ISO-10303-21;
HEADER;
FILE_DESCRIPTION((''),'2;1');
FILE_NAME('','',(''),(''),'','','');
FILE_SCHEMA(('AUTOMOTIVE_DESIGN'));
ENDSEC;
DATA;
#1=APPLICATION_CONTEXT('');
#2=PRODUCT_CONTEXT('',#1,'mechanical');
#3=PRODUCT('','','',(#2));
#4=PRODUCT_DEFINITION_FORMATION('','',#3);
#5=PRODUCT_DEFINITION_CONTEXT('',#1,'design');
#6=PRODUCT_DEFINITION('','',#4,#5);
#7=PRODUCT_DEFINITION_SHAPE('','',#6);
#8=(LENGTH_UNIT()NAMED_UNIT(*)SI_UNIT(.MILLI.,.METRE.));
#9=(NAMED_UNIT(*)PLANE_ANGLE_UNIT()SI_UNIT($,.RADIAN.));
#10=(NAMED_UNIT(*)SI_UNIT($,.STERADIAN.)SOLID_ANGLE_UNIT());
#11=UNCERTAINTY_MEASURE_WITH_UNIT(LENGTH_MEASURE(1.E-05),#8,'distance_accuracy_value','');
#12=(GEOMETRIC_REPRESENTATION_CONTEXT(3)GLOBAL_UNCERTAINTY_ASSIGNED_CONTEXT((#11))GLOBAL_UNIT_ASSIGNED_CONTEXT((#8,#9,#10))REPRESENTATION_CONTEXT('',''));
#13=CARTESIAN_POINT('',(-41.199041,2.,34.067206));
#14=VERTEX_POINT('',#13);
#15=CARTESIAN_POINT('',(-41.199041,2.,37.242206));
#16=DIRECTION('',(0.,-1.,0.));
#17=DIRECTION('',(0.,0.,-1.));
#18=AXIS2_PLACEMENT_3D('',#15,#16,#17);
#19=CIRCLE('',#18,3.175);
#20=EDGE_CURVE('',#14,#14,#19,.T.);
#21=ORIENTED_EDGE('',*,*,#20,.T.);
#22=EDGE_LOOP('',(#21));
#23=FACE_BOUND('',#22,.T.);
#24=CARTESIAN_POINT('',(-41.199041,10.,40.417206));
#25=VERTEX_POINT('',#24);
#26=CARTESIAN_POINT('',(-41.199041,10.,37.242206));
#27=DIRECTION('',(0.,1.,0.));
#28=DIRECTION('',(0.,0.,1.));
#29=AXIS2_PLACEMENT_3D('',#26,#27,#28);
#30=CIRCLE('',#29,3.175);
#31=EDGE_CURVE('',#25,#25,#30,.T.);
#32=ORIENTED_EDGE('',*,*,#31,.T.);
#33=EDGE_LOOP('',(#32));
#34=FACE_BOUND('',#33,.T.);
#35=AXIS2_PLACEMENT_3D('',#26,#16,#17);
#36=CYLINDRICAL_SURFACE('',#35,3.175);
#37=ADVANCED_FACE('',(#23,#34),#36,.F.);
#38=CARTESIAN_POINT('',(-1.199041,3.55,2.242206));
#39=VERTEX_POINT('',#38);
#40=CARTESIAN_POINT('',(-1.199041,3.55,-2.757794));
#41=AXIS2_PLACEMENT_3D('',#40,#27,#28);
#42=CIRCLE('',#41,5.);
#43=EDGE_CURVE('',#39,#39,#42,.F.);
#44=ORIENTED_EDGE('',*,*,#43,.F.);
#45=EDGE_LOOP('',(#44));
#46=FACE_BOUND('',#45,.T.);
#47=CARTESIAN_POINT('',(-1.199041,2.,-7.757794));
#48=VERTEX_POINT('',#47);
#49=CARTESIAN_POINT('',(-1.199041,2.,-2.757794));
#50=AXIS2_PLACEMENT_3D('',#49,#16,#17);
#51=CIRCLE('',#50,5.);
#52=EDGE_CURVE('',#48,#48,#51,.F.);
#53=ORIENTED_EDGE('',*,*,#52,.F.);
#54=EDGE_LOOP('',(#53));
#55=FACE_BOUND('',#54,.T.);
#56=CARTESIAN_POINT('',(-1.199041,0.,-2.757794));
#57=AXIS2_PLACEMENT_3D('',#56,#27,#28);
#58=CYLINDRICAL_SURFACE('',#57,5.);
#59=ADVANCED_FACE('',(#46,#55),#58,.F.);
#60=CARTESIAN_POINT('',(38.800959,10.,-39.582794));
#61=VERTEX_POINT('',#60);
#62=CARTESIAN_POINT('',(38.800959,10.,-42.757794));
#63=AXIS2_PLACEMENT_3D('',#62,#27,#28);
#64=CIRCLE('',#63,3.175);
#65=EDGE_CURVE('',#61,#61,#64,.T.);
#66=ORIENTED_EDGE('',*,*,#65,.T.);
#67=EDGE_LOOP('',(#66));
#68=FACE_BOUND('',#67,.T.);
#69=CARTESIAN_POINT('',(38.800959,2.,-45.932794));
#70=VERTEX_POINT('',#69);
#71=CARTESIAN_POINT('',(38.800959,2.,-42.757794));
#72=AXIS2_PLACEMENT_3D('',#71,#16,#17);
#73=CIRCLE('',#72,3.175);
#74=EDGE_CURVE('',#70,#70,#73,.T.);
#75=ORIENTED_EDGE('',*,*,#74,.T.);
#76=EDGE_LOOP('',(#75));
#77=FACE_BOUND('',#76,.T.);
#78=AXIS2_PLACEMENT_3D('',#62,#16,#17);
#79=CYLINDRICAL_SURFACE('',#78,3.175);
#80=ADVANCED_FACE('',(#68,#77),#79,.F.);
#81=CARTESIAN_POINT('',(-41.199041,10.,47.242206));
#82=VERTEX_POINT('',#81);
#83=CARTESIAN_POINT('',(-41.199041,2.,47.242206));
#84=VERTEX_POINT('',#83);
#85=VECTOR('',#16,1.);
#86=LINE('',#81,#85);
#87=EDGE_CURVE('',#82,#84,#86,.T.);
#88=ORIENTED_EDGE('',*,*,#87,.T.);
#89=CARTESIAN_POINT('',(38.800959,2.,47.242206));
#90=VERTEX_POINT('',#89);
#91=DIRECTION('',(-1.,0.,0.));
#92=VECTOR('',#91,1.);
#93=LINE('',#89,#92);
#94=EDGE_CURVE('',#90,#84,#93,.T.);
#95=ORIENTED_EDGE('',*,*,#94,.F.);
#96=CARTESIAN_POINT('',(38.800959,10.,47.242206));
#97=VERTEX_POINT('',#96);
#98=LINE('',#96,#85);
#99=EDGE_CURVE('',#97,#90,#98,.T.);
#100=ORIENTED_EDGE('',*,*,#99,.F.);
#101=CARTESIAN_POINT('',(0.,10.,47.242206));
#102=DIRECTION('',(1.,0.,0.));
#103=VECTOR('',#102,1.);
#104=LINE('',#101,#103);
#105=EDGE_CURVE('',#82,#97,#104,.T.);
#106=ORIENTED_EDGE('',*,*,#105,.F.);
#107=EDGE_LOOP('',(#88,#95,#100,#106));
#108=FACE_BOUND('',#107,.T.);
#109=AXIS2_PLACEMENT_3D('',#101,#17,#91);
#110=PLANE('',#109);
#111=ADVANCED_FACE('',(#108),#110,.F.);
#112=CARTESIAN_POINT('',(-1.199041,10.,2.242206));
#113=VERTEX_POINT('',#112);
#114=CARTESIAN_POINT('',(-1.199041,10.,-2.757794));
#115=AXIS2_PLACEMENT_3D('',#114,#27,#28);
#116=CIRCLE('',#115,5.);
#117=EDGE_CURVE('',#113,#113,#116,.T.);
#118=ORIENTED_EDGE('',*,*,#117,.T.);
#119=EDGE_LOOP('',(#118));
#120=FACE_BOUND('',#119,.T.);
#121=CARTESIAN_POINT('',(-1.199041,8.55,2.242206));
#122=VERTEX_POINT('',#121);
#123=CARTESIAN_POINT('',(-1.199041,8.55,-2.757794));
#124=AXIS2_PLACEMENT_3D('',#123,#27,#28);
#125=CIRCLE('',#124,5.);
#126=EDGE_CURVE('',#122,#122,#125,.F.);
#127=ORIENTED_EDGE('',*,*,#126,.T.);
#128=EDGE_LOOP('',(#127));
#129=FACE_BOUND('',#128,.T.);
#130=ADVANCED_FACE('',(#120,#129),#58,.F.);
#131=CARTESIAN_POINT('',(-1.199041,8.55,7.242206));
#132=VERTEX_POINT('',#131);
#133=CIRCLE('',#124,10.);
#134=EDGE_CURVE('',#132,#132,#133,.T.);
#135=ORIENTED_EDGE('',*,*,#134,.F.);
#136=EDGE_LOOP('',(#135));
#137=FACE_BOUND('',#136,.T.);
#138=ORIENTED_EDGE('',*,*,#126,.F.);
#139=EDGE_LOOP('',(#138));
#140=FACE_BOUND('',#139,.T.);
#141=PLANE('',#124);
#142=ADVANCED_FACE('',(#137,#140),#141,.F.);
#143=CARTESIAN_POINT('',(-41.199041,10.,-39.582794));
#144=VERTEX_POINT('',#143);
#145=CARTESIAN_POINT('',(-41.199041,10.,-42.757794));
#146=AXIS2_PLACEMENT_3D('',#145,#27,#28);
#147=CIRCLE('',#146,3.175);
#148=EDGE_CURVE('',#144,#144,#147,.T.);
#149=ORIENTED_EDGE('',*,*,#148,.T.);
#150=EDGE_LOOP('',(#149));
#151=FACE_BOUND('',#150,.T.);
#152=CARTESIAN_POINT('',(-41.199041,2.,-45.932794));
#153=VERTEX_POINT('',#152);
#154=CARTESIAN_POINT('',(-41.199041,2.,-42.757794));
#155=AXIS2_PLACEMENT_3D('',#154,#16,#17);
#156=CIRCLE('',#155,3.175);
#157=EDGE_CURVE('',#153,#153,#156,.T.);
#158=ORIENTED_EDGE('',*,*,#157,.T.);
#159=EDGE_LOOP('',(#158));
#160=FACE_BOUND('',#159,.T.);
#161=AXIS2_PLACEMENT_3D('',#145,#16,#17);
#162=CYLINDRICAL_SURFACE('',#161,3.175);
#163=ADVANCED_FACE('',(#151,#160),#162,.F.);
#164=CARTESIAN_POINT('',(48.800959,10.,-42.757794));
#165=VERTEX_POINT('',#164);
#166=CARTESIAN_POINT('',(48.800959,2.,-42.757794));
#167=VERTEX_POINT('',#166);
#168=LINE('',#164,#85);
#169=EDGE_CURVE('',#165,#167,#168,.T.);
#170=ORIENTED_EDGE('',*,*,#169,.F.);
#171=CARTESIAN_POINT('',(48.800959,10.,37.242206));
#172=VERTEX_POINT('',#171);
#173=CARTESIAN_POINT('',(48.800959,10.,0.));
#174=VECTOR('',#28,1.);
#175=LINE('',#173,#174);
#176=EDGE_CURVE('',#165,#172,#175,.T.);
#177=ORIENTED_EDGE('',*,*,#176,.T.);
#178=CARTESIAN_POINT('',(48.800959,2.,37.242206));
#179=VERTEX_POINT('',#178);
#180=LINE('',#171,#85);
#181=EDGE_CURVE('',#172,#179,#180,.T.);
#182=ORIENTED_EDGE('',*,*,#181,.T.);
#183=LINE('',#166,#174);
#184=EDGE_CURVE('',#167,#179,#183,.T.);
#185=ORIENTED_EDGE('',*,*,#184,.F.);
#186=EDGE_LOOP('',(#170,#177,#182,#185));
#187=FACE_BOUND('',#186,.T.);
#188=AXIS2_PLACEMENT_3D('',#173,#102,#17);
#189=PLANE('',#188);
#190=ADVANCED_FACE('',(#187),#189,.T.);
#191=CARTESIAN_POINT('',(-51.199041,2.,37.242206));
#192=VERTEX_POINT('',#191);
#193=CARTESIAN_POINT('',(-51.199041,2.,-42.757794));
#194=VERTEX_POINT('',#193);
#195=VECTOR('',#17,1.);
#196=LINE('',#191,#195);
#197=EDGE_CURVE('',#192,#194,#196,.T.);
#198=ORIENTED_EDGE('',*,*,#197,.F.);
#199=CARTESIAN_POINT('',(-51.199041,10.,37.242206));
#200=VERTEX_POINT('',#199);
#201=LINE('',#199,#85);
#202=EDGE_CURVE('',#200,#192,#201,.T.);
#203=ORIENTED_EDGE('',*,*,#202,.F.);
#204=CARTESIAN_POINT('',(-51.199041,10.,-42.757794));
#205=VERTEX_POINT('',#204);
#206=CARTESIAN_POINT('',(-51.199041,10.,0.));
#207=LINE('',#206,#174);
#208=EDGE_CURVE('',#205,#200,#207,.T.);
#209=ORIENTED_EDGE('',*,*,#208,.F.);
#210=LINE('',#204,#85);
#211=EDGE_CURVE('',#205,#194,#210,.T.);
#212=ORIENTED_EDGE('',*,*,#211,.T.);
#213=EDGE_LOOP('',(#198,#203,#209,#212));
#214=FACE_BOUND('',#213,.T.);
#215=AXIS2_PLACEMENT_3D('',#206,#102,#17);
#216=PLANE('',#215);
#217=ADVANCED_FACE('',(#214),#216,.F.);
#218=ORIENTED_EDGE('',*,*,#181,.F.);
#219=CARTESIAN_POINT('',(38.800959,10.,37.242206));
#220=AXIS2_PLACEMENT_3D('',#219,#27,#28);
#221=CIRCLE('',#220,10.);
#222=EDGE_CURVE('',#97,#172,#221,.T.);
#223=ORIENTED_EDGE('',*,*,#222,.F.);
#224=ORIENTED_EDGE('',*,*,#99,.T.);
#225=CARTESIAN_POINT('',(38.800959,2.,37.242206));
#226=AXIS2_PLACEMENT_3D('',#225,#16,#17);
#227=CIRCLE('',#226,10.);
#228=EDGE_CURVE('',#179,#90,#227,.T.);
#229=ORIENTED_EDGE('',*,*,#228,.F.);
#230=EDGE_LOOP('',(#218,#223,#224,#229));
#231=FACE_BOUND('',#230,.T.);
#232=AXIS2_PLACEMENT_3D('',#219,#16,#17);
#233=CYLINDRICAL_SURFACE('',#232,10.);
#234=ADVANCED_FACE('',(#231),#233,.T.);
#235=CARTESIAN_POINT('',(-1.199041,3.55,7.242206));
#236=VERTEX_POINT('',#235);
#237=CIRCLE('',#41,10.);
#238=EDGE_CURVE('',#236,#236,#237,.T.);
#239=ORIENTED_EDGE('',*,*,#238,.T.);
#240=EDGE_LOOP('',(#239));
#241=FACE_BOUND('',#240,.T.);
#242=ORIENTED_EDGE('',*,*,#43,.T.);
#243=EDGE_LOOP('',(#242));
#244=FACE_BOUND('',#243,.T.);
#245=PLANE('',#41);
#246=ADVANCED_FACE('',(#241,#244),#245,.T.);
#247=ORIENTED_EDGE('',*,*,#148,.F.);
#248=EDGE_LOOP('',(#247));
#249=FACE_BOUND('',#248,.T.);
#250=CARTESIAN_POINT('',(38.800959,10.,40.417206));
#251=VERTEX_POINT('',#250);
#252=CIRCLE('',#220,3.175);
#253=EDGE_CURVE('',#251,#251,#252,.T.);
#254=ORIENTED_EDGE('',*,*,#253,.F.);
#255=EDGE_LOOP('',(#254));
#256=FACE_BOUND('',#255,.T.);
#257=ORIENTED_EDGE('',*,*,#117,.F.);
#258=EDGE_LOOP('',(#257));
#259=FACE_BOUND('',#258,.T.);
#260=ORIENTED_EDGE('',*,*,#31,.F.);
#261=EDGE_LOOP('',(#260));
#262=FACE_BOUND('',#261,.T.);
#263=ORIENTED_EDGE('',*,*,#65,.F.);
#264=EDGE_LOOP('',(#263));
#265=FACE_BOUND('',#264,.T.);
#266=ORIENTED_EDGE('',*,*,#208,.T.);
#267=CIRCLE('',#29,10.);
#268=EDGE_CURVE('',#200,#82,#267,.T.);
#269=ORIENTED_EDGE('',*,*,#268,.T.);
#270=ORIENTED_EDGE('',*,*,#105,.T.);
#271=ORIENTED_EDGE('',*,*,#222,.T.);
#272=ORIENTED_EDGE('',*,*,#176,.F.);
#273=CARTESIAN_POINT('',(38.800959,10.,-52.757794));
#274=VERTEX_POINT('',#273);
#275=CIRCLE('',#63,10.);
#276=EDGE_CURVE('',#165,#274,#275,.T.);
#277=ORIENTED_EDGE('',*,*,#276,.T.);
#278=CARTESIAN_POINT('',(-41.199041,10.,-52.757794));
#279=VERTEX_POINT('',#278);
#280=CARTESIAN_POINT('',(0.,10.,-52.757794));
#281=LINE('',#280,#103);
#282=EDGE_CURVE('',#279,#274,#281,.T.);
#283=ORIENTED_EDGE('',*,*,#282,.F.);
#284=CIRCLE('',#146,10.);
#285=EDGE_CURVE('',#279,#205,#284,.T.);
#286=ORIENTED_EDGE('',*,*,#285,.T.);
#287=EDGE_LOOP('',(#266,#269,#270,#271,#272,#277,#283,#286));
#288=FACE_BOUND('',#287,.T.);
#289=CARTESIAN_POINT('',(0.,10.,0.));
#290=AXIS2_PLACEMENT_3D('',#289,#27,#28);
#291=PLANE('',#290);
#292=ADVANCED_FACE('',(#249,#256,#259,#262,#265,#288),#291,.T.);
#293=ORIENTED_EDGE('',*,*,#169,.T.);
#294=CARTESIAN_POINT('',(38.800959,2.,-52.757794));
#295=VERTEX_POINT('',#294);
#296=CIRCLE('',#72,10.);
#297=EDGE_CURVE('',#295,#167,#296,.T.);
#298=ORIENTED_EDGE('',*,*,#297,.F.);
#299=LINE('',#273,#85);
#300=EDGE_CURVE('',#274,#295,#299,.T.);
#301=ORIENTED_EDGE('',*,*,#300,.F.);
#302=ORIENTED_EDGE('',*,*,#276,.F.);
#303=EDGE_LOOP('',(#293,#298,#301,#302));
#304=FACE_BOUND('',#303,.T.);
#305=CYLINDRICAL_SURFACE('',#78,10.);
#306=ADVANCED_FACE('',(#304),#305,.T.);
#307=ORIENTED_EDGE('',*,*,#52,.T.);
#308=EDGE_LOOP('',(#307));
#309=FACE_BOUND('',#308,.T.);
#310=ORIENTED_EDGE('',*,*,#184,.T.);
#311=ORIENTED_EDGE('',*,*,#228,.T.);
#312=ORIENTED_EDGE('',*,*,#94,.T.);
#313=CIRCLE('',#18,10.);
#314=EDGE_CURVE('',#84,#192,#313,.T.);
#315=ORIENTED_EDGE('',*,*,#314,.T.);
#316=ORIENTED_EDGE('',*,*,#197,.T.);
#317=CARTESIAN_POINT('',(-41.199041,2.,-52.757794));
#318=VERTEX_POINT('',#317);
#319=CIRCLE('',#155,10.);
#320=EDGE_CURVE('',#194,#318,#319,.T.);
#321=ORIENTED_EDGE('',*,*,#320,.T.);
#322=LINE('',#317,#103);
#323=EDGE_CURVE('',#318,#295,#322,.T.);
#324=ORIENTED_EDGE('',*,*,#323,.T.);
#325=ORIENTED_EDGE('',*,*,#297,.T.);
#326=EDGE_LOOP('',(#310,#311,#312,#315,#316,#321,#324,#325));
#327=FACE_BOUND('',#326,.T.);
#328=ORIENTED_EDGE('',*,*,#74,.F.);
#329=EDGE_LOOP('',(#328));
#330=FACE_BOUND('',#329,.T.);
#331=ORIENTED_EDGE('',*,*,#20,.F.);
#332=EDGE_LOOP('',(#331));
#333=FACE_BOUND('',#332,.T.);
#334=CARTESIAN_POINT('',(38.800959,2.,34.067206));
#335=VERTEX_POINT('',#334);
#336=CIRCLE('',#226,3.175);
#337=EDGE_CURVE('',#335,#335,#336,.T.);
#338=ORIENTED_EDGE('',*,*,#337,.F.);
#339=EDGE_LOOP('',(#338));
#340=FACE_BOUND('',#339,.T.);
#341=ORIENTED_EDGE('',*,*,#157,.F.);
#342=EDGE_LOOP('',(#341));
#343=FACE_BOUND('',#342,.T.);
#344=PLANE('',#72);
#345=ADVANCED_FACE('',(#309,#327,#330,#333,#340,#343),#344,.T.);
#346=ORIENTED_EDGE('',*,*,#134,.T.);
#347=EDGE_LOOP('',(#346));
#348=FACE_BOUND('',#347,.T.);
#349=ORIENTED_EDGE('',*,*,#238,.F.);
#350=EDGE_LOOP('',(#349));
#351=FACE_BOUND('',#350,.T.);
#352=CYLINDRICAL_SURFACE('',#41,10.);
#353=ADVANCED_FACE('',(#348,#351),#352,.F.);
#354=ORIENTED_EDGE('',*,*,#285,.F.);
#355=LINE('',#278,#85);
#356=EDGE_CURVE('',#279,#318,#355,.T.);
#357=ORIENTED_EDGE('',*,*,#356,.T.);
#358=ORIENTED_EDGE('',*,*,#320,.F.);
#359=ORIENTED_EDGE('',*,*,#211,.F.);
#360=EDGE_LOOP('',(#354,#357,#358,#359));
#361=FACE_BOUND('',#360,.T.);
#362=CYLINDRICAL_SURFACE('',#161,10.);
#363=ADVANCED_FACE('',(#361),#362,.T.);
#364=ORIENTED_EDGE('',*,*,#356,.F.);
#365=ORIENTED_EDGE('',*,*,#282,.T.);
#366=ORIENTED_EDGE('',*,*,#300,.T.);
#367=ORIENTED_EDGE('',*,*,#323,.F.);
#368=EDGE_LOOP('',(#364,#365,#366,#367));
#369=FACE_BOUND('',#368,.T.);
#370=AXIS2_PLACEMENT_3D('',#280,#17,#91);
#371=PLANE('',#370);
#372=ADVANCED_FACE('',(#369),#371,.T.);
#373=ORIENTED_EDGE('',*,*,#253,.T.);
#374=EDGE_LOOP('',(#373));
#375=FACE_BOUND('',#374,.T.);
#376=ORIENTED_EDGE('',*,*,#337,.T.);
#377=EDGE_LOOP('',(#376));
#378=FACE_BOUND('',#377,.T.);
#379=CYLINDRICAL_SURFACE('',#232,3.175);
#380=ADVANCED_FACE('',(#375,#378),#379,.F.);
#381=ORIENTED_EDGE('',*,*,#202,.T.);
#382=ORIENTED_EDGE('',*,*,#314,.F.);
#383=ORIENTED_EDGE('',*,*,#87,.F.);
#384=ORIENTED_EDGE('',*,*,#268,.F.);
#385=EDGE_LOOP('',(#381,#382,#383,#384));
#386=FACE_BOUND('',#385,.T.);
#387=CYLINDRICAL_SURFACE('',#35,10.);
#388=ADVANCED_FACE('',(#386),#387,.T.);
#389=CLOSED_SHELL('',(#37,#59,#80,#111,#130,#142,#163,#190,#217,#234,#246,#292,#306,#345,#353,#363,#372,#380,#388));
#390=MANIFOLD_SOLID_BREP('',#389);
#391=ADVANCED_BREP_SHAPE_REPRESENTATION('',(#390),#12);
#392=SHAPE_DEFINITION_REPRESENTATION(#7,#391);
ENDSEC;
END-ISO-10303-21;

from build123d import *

# Parameters (mm, degrees)
SKETCH1_R           = 12.7
SKETCH1_R_2         = 3.175
BOSS_EXTRUDE1_DEPTH = 10
SKETCH1_3_R         = 12.7
SKETCH1_3_R_2       = 6.35
BOSS_EXTRUDE2_DEPTH = 2.5
SKETCH2_R           = 12.7
BOSS_EXTRUDE3_DEPTH = 10
SKETCH3_R           = 5
CUT_EXTRUDE3_DEPTH  = 10
CUT_EXTRUDE4_START  = -1.45
SKETCH4_R           = 10
CUT_EXTRUDE4_DEPTH  = 5
CUT_EXTRUDE5_DEPTH  = 2


with BuildPart() as part:
    # Sketch1 → Boss-Extrude1 (new body)
    with BuildSketch(Plane(origin=(0, 0, 0), x_dir=(1, 0, 0), z_dir=(0, 1, 0))):
        with BuildLine():
            Line((-41.199040767, 52.757793765), (38.800959233, 52.757793765))
            ThreePointArc((38.800959233, 52.757793765), (45.872027044, 49.828861577), (48.800959233, 42.757793765))
            Line((48.800959233, 42.757793765), (48.800959233, -37.242206235))
            ThreePointArc((48.800959233, -37.242206235), (45.872027044, -44.313274047), (38.800959233, -47.242206235))
            Line((38.800959233, -47.242206235), (-41.199040767, -47.242206235))
            ThreePointArc((-41.199040767, -47.242206235), (-48.270108579, -44.313274047), (-51.199040767, -37.242206235))
            Line((-51.199040767, -37.242206235), (-51.199040767, 42.757793765))
            ThreePointArc((-51.199040767, 42.757793765), (-48.270108579, 49.828861577), (-41.199040767, 52.757793765))
        make_face()
        with Locations(Location((0, 0, 0), (0, 0, 270))):
            Circle(SKETCH1_R, mode=Mode.SUBTRACT)
        with Locations(Location((-41.199040767, 42.757793765, 0), (0, 0, 270))):
            Circle(SKETCH1_R_2, mode=Mode.SUBTRACT)
        with Locations(Location((38.800959233, 42.757793765, 0), (0, 0, 270))):
            Circle(SKETCH1_R_2, mode=Mode.SUBTRACT)
        with Locations(Location((38.800959233, -37.242206235, 0), (0, 0, 270))):
            Circle(SKETCH1_R_2, mode=Mode.SUBTRACT)
        with Locations(Location((-41.199040767, -37.242206235, 0), (0, 0, 270))):
            Circle(SKETCH1_R_2, mode=Mode.SUBTRACT)
    extrude(amount=BOSS_EXTRUDE1_DEPTH)

    # Sketch1<3> → Boss-Extrude2 (add)
    with BuildSketch(Plane(origin=(0, 0, 0), x_dir=(1, 0, 0), z_dir=(0, 1, 0))):
        with Locations(Location((0, 0, 0), (0, 0, 270))):
            Circle(SKETCH1_3_R)
        with Locations(Location((0, 0, 0), (0, 0, 270))):
            Circle(SKETCH1_3_R_2, mode=Mode.SUBTRACT)
    extrude(amount=BOSS_EXTRUDE2_DEPTH)

    # Sketch2 → Boss-Extrude3 (add, through all)
    with BuildSketch(Plane(origin=(0, 10, 0), x_dir=(1, 0, 0), z_dir=(0, 1, 0))):
        Circle(SKETCH2_R)
    extrude(amount=-BOSS_EXTRUDE3_DEPTH)

    # Sketch3 → Cut-Extrude3 (cut)
    with BuildSketch(Plane(origin=(0, 10, 0), x_dir=(1, 0, 0), z_dir=(0, 1, 0))):
        with Locations(Location((-1.199040767, 2.757793765, 0), (0, 0, 270))):
            Circle(SKETCH3_R)
    extrude(amount=-CUT_EXTRUDE3_DEPTH, mode=Mode.SUBTRACT)

    # Sketch4 → Cut-Extrude4 (cut)
    with BuildSketch(Plane(origin=(0, 10, 0), x_dir=(1, 0, 0), z_dir=(0, 1, 0)).offset(CUT_EXTRUDE4_START)):
        with Locations(Location((-1.199040767, 2.757793765, 0), (0, 0, 270))):
            Circle(SKETCH4_R)
    extrude(amount=-CUT_EXTRUDE4_DEPTH, mode=Mode.SUBTRACT)

    # Sketch6 → Cut-Extrude5 (cut)
    with BuildSketch(Plane.XZ):
        with BuildLine():
            Line((48.800959233, -42.757793765), (48.800959233, 37.242206235))
            ThreePointArc((48.800959233, 37.242206235), (45.872027044, 44.313274047), (38.800959233, 47.242206235))
            Line((38.800959233, 47.242206235), (-41.199040767, 47.242206235))
            ThreePointArc((-41.199040767, 47.242206235), (-48.270108579, 44.313274047), (-51.199040767, 37.242206235))
            Line((-51.199040767, 37.242206235), (-51.199040767, -42.757793765))
            ThreePointArc((-51.199040767, -42.757793765), (-48.270108579, -49.828861577), (-41.199040767, -52.757793765))
            Line((-41.199040767, -52.757793765), (38.800959233, -52.757793765))
            ThreePointArc((38.800959233, -52.757793765), (45.872027044, -49.828861577), (48.800959233, -42.757793765))
        make_face()
    extrude(amount=-CUT_EXTRUDE5_DEPTH, mode=Mode.SUBTRACT)


solid = part.part
